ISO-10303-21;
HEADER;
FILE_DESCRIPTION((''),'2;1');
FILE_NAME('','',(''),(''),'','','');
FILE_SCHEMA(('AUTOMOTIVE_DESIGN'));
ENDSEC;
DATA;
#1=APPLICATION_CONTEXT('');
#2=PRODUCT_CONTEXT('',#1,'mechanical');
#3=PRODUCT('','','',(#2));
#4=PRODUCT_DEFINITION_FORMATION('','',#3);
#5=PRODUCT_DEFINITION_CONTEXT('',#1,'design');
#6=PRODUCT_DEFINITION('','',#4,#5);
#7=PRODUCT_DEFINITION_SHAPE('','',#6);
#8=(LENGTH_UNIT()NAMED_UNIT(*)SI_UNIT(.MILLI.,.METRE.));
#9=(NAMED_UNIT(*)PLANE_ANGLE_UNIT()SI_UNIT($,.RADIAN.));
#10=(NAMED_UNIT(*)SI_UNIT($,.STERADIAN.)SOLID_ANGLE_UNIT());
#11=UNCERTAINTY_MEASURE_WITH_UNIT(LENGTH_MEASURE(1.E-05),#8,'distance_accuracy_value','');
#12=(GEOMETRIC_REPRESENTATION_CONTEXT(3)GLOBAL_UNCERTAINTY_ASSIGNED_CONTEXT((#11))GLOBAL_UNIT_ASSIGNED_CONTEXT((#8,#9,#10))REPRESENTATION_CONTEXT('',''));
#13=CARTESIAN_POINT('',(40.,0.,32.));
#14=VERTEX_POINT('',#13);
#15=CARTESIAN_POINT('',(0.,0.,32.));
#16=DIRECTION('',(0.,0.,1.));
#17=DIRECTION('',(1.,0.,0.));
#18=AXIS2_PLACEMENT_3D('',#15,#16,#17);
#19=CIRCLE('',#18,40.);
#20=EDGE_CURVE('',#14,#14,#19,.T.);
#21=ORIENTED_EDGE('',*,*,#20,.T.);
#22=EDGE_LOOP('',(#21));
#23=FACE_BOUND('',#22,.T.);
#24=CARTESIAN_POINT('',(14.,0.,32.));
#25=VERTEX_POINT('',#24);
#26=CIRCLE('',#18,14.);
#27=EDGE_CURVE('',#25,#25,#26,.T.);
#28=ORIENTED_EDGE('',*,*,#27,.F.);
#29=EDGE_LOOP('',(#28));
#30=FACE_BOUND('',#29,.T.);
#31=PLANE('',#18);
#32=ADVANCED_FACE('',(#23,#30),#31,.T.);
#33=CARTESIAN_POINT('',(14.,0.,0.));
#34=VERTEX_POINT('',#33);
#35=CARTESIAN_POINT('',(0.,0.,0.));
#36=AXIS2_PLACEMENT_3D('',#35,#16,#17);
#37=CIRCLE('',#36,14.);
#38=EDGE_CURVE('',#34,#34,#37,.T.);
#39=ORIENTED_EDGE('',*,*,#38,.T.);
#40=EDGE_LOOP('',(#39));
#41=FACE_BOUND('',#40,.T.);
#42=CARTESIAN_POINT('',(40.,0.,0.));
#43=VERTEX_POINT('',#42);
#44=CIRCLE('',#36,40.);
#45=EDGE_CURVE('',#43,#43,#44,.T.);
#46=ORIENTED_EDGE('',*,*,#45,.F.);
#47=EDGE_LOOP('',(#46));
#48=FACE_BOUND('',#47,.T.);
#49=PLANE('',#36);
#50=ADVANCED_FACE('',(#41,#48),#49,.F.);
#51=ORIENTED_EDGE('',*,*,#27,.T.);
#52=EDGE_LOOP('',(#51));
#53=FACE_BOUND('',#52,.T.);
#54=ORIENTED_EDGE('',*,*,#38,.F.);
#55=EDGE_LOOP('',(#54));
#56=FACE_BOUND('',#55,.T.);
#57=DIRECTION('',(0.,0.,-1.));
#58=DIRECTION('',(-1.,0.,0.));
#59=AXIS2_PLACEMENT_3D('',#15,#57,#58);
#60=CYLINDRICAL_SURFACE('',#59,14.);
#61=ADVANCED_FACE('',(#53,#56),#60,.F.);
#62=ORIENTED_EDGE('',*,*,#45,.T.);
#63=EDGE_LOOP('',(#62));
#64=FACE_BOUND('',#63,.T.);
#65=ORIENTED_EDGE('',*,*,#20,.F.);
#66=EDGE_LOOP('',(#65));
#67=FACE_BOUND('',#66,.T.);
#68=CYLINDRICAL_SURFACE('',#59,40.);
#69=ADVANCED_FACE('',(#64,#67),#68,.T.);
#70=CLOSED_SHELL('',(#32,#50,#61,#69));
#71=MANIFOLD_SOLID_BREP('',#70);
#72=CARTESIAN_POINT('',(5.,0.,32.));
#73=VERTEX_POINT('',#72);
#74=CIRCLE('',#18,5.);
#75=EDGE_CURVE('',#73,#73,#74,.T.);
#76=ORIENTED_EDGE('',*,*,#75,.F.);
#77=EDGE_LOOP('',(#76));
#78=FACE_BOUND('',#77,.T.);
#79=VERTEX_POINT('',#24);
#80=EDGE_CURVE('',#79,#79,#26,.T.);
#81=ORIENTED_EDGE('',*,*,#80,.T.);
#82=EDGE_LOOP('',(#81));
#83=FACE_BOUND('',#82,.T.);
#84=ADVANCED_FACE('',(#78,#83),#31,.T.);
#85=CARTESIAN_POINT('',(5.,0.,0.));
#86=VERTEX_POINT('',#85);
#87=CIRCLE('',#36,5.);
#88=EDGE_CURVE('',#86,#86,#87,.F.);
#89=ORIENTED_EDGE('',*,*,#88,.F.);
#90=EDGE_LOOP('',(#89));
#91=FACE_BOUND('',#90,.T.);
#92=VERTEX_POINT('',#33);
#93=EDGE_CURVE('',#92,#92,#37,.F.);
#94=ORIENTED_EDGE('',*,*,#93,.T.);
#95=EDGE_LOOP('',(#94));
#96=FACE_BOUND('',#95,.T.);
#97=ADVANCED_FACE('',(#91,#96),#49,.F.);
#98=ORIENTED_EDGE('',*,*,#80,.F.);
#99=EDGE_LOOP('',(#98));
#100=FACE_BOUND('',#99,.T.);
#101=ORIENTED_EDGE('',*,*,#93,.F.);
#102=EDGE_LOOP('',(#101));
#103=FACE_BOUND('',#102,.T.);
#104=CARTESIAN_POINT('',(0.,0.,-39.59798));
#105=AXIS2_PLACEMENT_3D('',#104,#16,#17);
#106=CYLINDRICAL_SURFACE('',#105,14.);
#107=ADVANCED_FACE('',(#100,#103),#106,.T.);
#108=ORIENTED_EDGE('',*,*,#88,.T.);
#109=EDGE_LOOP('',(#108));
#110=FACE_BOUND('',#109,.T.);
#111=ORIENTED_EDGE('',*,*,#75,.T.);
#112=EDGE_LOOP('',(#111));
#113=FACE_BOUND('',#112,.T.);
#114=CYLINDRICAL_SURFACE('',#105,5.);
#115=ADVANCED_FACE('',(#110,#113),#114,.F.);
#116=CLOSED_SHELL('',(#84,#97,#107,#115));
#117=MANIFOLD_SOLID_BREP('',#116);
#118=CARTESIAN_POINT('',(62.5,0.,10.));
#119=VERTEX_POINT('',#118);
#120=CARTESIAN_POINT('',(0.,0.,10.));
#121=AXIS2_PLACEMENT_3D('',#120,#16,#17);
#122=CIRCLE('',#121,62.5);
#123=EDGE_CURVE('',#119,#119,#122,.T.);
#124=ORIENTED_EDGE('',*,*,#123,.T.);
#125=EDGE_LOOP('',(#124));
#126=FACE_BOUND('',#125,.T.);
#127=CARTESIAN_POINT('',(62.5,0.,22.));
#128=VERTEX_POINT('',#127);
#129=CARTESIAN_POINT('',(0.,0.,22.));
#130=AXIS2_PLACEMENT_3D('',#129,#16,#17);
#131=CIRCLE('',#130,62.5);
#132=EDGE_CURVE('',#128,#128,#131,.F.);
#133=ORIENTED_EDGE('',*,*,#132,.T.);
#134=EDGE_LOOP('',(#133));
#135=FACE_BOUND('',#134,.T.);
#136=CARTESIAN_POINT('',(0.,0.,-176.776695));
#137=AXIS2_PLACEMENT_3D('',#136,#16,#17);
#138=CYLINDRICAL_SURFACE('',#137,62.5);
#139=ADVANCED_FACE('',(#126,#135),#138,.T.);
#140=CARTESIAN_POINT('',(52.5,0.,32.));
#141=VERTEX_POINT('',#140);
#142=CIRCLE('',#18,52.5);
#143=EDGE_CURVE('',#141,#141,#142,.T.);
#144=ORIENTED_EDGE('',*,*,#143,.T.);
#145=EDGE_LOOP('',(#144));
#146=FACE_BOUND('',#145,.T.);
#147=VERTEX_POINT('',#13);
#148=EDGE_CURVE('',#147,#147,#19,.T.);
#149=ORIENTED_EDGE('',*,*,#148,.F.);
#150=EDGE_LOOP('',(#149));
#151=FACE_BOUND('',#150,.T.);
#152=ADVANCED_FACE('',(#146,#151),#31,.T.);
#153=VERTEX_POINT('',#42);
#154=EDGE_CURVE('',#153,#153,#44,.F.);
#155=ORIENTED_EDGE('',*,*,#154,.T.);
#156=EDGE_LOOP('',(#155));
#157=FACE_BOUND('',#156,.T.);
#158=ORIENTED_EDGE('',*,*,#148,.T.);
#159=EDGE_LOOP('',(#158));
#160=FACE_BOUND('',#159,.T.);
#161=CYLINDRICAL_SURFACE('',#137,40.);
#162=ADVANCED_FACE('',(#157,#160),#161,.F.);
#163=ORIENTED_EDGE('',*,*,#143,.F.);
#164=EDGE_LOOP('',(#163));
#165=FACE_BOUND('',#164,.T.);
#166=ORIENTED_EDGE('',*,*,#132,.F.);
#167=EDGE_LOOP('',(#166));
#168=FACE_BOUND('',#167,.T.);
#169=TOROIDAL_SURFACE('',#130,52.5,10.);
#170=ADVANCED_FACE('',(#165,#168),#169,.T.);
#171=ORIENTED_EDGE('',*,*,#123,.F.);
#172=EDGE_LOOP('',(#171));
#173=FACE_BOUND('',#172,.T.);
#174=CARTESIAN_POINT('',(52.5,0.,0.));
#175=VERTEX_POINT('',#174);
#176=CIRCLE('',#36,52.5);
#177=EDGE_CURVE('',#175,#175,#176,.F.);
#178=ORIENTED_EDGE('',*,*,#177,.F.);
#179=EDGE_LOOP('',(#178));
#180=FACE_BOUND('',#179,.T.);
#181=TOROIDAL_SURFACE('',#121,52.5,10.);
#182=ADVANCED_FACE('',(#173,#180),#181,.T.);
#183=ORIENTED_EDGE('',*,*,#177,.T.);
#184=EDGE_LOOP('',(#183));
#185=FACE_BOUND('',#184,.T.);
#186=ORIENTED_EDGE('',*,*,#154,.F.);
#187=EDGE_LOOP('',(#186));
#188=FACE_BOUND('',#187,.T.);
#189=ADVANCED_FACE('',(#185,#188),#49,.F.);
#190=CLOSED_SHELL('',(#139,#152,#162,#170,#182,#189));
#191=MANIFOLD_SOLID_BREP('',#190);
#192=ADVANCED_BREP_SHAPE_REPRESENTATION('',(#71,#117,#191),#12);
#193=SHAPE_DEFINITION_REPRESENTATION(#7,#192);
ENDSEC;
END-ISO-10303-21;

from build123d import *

# Parameters (mm, degrees)
SKETCH1_R           = 40
SKETCH1_R_2         = 14
BOSS_EXTRUDE1_DEPTH = 32
SKETCH2_R           = 62.5
SKETCH2_R_2         = 40
BOSS_EXTRUDE2_DEPTH = 32
SKETCH3_R           = 14
SKETCH3_R_2         = 5
BOSS_EXTRUDE3_DEPTH = 32
FILLET1_R           = 10


with BuildPart() as part:
    # Sketch1 → Boss-Extrude1 (new body)
    with BuildSketch(Plane.XY):
        Circle(SKETCH1_R)
        Circle(SKETCH1_R_2, mode=Mode.SUBTRACT)
    extrude(amount=BOSS_EXTRUDE1_DEPTH)


with BuildPart() as body_2:
    # Sketch2 → Boss-Extrude2 (new body)
    with BuildSketch(Plane.XY.offset(32)):
        Circle(SKETCH2_R)
        Circle(SKETCH2_R_2, mode=Mode.SUBTRACT)
    extrude(amount=-BOSS_EXTRUDE2_DEPTH)

    # Fillet1
    fillet1_edges = [body_2.edges().sort_by_distance(p)[0] for p in [
        (-62.5, 0, 32),
        (-62.5, 0, 0),
    ]]
    fillet(fillet1_edges, radius=FILLET1_R)


with BuildPart() as body_3:
    # Sketch3 → Boss-Extrude3 (new body)
    with BuildSketch(Plane.XY.offset(32)):
        Circle(SKETCH3_R)
        Circle(SKETCH3_R_2, mode=Mode.SUBTRACT)
    extrude(amount=-BOSS_EXTRUDE3_DEPTH)


solid = Compound([part.part, body_2.part, body_3.part])
